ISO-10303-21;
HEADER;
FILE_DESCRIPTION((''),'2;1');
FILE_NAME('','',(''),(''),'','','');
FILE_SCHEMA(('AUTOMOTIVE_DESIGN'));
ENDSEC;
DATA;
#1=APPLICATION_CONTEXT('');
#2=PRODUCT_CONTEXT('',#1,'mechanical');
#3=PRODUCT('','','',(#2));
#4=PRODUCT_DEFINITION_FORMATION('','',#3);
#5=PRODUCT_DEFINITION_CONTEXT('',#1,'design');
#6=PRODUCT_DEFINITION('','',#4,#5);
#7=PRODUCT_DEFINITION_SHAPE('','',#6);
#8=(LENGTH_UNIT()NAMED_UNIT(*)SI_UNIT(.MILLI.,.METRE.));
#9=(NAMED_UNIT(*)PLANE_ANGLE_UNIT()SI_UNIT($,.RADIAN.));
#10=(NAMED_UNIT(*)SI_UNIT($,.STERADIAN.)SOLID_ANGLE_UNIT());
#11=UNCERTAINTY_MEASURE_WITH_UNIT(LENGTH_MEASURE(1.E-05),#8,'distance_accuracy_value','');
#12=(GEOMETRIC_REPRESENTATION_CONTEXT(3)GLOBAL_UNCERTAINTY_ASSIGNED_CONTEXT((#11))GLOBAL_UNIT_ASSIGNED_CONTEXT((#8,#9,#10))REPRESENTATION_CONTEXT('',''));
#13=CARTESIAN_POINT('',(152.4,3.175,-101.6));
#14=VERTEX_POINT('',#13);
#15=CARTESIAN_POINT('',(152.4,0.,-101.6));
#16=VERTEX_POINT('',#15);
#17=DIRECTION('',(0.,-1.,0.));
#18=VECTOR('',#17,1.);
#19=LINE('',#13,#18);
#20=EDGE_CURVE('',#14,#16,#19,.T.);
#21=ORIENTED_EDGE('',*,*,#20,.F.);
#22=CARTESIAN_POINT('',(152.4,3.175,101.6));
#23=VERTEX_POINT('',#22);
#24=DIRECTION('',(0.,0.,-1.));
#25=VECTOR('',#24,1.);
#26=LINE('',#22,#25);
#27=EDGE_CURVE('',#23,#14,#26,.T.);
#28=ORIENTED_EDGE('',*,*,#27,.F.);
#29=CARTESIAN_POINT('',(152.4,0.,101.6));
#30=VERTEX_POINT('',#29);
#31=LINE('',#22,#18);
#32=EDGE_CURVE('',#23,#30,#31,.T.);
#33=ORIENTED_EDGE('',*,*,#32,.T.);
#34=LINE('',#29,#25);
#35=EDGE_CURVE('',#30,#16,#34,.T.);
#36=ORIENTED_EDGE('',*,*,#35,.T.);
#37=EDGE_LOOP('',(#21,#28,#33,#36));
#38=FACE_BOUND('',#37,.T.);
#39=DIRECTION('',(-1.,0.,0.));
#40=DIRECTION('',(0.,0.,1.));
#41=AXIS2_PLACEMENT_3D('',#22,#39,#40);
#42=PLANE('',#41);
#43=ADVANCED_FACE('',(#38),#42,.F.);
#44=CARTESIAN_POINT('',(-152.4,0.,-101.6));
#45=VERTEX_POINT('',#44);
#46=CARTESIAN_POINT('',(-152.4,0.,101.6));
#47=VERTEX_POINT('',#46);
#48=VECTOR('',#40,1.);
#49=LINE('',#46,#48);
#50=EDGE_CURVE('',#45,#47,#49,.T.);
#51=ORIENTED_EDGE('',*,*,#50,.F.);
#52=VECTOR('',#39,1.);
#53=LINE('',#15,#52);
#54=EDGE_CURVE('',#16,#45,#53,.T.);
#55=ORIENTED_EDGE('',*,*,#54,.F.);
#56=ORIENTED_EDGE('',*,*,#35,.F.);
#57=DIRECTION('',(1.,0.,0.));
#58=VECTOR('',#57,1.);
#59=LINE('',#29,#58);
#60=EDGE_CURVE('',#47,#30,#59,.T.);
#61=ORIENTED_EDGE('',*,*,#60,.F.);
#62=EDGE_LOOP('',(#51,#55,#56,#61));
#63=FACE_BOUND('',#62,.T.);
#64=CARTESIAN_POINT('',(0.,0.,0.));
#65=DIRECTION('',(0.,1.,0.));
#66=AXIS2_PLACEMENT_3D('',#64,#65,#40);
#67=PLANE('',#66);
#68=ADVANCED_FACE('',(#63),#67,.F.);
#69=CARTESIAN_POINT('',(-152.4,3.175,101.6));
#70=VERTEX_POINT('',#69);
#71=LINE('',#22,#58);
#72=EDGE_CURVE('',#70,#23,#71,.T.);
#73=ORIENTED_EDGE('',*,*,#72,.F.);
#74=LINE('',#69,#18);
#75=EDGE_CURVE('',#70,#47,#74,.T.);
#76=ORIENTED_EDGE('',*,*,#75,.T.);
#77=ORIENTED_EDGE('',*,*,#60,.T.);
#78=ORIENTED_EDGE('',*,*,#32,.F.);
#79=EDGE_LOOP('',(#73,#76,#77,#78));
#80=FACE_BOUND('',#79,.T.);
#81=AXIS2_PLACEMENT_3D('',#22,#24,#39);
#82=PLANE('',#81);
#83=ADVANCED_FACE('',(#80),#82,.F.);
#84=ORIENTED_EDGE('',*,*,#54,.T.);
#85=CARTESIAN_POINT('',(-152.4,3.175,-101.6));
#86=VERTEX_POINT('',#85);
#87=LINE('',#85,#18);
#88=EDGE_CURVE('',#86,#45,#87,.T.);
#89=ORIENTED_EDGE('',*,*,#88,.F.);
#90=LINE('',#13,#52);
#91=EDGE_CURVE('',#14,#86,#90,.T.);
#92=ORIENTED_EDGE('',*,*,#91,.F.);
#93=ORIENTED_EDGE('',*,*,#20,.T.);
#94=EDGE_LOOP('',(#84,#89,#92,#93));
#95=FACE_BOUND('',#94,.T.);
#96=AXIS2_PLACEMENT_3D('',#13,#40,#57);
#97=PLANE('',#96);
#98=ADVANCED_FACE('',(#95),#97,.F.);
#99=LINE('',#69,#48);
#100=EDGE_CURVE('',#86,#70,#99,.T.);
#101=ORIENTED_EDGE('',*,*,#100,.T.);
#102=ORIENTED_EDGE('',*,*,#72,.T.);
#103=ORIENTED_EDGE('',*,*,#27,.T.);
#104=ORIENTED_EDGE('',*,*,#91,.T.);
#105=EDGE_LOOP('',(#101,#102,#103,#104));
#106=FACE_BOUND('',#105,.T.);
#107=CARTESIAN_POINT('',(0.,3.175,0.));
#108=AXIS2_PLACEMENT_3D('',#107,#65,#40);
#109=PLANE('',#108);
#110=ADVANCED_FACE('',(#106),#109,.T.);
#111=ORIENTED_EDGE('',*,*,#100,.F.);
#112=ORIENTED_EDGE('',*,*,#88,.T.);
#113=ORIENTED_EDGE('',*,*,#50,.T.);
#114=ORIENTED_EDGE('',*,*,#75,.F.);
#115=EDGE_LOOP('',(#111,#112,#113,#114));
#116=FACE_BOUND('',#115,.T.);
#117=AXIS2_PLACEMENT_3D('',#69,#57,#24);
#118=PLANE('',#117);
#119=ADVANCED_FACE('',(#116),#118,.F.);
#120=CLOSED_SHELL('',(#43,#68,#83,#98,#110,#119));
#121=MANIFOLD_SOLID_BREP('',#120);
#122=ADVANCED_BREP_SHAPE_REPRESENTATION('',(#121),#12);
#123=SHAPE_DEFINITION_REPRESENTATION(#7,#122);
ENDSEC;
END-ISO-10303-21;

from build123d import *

# Parameters (mm, degrees)
SKETCH1_W           = 304.8
SKETCH1_H           = 203.2
BOSS_EXTRUDE1_DEPTH = 3.175


with BuildPart() as part:
    # Sketch1 → Boss-Extrude1 (new body)
    with BuildSketch(Plane(origin=(0, 0, 0), x_dir=(1, 0, 0), z_dir=(0, 1, 0))):
        Rectangle(SKETCH1_W, SKETCH1_H)
    extrude(amount=BOSS_EXTRUDE1_DEPTH)


solid = part.part
